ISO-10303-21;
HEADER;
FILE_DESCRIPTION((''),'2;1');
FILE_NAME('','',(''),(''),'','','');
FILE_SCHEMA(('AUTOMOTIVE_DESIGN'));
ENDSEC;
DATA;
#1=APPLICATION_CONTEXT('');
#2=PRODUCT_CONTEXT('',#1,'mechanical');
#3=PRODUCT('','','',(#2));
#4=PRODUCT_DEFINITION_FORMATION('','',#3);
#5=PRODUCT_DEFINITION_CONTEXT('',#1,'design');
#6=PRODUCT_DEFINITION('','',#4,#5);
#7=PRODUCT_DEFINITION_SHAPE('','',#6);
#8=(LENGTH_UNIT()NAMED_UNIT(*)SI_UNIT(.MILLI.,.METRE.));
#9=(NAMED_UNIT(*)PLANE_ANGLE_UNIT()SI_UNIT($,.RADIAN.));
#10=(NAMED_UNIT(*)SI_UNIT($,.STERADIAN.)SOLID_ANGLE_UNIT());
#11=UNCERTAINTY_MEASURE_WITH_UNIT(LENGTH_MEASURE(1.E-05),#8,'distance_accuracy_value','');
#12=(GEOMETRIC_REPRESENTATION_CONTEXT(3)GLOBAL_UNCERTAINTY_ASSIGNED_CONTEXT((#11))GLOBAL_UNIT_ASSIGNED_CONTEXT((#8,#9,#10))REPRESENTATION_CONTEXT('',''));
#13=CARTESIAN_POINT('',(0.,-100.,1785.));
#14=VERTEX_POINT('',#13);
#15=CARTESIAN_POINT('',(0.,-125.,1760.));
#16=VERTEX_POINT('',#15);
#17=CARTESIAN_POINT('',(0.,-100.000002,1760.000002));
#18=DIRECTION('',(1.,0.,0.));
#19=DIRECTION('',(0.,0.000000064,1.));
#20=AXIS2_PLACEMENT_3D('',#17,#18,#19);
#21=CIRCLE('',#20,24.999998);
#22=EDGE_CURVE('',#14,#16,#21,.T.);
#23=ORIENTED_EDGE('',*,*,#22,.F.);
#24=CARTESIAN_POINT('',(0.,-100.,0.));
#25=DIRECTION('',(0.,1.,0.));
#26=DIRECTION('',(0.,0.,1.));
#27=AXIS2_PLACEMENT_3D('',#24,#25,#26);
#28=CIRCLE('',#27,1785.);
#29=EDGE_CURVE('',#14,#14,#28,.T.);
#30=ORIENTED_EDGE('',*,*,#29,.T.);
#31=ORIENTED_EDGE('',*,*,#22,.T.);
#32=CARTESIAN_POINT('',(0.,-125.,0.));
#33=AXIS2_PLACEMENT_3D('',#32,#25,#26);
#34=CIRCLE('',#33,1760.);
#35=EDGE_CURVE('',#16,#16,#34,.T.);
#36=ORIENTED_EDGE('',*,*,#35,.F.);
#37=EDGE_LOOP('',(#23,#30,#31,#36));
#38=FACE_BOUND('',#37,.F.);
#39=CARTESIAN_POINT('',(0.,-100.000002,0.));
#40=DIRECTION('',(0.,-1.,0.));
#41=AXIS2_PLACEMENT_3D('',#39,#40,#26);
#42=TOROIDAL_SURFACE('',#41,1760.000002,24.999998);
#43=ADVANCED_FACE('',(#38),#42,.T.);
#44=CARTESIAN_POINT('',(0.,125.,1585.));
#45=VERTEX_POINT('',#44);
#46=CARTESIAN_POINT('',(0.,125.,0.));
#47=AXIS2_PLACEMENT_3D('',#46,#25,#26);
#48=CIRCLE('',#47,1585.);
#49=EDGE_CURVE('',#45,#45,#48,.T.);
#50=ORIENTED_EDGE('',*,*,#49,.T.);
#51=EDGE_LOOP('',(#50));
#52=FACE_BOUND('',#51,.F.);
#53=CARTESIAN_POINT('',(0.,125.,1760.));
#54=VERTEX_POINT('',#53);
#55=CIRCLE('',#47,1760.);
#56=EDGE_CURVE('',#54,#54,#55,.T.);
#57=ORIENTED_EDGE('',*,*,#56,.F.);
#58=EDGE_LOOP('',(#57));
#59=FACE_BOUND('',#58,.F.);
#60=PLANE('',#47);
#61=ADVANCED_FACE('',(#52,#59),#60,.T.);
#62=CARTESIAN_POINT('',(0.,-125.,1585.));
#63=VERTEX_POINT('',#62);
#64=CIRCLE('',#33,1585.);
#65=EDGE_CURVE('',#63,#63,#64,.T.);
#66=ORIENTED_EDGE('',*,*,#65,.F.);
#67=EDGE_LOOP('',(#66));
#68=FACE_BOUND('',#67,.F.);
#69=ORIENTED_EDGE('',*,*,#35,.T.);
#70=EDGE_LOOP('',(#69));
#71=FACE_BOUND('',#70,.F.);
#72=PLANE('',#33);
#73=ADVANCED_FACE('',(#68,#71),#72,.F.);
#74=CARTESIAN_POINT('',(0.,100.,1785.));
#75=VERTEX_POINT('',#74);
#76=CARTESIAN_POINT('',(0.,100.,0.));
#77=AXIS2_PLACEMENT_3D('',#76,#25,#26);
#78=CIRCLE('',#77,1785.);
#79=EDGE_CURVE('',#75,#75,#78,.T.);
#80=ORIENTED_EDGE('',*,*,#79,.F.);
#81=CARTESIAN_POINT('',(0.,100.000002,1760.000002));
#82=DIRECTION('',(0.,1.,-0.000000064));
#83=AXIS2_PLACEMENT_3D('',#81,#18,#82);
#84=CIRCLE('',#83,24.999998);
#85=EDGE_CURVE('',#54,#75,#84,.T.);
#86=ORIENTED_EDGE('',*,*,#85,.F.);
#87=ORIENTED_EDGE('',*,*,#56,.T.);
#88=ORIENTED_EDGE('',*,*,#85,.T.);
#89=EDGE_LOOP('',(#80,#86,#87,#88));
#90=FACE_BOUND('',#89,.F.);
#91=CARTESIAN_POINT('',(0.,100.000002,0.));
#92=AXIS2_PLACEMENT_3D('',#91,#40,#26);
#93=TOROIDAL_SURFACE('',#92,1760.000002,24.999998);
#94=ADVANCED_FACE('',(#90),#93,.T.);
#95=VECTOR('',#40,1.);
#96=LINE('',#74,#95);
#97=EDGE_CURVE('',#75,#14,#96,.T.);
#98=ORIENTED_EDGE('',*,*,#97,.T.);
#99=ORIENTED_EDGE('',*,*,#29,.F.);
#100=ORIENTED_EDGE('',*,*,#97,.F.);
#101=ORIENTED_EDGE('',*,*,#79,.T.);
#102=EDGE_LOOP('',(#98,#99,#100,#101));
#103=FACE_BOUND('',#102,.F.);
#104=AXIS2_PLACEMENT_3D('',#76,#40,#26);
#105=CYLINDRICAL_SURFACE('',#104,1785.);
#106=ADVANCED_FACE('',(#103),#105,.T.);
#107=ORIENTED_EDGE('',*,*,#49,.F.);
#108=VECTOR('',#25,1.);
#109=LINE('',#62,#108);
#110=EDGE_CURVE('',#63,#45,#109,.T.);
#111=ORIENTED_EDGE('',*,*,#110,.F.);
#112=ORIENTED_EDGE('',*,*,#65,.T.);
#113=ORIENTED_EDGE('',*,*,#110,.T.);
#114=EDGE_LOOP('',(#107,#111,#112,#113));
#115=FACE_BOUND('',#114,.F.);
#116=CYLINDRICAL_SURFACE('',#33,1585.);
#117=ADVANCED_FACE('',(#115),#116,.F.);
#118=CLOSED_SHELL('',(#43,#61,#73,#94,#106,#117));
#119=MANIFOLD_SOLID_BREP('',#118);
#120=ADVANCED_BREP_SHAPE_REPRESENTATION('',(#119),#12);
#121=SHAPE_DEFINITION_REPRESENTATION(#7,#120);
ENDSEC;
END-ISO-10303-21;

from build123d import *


with BuildPart() as f1:
    # F0 (on Right) → F1 (revolve)
    with BuildSketch(Plane.YZ):
        with BuildLine():
            Line((-125, 1585), (125, 1585))
            Line((125, 1585), (125, 1760))
            ThreePointArc((125, 1760), (117.67767, 1777.67767), (100, 1785))
            Line((100, 1785), (-100, 1785))
            ThreePointArc((-100, 1785), (-117.67767, 1777.67767), (-125, 1760))
            Line((-125, 1760), (-125, 1585))
        make_face()
    revolve(axis=Axis((0, -0.372693, 0), (0, 1, 0)))


solid = f1.part
